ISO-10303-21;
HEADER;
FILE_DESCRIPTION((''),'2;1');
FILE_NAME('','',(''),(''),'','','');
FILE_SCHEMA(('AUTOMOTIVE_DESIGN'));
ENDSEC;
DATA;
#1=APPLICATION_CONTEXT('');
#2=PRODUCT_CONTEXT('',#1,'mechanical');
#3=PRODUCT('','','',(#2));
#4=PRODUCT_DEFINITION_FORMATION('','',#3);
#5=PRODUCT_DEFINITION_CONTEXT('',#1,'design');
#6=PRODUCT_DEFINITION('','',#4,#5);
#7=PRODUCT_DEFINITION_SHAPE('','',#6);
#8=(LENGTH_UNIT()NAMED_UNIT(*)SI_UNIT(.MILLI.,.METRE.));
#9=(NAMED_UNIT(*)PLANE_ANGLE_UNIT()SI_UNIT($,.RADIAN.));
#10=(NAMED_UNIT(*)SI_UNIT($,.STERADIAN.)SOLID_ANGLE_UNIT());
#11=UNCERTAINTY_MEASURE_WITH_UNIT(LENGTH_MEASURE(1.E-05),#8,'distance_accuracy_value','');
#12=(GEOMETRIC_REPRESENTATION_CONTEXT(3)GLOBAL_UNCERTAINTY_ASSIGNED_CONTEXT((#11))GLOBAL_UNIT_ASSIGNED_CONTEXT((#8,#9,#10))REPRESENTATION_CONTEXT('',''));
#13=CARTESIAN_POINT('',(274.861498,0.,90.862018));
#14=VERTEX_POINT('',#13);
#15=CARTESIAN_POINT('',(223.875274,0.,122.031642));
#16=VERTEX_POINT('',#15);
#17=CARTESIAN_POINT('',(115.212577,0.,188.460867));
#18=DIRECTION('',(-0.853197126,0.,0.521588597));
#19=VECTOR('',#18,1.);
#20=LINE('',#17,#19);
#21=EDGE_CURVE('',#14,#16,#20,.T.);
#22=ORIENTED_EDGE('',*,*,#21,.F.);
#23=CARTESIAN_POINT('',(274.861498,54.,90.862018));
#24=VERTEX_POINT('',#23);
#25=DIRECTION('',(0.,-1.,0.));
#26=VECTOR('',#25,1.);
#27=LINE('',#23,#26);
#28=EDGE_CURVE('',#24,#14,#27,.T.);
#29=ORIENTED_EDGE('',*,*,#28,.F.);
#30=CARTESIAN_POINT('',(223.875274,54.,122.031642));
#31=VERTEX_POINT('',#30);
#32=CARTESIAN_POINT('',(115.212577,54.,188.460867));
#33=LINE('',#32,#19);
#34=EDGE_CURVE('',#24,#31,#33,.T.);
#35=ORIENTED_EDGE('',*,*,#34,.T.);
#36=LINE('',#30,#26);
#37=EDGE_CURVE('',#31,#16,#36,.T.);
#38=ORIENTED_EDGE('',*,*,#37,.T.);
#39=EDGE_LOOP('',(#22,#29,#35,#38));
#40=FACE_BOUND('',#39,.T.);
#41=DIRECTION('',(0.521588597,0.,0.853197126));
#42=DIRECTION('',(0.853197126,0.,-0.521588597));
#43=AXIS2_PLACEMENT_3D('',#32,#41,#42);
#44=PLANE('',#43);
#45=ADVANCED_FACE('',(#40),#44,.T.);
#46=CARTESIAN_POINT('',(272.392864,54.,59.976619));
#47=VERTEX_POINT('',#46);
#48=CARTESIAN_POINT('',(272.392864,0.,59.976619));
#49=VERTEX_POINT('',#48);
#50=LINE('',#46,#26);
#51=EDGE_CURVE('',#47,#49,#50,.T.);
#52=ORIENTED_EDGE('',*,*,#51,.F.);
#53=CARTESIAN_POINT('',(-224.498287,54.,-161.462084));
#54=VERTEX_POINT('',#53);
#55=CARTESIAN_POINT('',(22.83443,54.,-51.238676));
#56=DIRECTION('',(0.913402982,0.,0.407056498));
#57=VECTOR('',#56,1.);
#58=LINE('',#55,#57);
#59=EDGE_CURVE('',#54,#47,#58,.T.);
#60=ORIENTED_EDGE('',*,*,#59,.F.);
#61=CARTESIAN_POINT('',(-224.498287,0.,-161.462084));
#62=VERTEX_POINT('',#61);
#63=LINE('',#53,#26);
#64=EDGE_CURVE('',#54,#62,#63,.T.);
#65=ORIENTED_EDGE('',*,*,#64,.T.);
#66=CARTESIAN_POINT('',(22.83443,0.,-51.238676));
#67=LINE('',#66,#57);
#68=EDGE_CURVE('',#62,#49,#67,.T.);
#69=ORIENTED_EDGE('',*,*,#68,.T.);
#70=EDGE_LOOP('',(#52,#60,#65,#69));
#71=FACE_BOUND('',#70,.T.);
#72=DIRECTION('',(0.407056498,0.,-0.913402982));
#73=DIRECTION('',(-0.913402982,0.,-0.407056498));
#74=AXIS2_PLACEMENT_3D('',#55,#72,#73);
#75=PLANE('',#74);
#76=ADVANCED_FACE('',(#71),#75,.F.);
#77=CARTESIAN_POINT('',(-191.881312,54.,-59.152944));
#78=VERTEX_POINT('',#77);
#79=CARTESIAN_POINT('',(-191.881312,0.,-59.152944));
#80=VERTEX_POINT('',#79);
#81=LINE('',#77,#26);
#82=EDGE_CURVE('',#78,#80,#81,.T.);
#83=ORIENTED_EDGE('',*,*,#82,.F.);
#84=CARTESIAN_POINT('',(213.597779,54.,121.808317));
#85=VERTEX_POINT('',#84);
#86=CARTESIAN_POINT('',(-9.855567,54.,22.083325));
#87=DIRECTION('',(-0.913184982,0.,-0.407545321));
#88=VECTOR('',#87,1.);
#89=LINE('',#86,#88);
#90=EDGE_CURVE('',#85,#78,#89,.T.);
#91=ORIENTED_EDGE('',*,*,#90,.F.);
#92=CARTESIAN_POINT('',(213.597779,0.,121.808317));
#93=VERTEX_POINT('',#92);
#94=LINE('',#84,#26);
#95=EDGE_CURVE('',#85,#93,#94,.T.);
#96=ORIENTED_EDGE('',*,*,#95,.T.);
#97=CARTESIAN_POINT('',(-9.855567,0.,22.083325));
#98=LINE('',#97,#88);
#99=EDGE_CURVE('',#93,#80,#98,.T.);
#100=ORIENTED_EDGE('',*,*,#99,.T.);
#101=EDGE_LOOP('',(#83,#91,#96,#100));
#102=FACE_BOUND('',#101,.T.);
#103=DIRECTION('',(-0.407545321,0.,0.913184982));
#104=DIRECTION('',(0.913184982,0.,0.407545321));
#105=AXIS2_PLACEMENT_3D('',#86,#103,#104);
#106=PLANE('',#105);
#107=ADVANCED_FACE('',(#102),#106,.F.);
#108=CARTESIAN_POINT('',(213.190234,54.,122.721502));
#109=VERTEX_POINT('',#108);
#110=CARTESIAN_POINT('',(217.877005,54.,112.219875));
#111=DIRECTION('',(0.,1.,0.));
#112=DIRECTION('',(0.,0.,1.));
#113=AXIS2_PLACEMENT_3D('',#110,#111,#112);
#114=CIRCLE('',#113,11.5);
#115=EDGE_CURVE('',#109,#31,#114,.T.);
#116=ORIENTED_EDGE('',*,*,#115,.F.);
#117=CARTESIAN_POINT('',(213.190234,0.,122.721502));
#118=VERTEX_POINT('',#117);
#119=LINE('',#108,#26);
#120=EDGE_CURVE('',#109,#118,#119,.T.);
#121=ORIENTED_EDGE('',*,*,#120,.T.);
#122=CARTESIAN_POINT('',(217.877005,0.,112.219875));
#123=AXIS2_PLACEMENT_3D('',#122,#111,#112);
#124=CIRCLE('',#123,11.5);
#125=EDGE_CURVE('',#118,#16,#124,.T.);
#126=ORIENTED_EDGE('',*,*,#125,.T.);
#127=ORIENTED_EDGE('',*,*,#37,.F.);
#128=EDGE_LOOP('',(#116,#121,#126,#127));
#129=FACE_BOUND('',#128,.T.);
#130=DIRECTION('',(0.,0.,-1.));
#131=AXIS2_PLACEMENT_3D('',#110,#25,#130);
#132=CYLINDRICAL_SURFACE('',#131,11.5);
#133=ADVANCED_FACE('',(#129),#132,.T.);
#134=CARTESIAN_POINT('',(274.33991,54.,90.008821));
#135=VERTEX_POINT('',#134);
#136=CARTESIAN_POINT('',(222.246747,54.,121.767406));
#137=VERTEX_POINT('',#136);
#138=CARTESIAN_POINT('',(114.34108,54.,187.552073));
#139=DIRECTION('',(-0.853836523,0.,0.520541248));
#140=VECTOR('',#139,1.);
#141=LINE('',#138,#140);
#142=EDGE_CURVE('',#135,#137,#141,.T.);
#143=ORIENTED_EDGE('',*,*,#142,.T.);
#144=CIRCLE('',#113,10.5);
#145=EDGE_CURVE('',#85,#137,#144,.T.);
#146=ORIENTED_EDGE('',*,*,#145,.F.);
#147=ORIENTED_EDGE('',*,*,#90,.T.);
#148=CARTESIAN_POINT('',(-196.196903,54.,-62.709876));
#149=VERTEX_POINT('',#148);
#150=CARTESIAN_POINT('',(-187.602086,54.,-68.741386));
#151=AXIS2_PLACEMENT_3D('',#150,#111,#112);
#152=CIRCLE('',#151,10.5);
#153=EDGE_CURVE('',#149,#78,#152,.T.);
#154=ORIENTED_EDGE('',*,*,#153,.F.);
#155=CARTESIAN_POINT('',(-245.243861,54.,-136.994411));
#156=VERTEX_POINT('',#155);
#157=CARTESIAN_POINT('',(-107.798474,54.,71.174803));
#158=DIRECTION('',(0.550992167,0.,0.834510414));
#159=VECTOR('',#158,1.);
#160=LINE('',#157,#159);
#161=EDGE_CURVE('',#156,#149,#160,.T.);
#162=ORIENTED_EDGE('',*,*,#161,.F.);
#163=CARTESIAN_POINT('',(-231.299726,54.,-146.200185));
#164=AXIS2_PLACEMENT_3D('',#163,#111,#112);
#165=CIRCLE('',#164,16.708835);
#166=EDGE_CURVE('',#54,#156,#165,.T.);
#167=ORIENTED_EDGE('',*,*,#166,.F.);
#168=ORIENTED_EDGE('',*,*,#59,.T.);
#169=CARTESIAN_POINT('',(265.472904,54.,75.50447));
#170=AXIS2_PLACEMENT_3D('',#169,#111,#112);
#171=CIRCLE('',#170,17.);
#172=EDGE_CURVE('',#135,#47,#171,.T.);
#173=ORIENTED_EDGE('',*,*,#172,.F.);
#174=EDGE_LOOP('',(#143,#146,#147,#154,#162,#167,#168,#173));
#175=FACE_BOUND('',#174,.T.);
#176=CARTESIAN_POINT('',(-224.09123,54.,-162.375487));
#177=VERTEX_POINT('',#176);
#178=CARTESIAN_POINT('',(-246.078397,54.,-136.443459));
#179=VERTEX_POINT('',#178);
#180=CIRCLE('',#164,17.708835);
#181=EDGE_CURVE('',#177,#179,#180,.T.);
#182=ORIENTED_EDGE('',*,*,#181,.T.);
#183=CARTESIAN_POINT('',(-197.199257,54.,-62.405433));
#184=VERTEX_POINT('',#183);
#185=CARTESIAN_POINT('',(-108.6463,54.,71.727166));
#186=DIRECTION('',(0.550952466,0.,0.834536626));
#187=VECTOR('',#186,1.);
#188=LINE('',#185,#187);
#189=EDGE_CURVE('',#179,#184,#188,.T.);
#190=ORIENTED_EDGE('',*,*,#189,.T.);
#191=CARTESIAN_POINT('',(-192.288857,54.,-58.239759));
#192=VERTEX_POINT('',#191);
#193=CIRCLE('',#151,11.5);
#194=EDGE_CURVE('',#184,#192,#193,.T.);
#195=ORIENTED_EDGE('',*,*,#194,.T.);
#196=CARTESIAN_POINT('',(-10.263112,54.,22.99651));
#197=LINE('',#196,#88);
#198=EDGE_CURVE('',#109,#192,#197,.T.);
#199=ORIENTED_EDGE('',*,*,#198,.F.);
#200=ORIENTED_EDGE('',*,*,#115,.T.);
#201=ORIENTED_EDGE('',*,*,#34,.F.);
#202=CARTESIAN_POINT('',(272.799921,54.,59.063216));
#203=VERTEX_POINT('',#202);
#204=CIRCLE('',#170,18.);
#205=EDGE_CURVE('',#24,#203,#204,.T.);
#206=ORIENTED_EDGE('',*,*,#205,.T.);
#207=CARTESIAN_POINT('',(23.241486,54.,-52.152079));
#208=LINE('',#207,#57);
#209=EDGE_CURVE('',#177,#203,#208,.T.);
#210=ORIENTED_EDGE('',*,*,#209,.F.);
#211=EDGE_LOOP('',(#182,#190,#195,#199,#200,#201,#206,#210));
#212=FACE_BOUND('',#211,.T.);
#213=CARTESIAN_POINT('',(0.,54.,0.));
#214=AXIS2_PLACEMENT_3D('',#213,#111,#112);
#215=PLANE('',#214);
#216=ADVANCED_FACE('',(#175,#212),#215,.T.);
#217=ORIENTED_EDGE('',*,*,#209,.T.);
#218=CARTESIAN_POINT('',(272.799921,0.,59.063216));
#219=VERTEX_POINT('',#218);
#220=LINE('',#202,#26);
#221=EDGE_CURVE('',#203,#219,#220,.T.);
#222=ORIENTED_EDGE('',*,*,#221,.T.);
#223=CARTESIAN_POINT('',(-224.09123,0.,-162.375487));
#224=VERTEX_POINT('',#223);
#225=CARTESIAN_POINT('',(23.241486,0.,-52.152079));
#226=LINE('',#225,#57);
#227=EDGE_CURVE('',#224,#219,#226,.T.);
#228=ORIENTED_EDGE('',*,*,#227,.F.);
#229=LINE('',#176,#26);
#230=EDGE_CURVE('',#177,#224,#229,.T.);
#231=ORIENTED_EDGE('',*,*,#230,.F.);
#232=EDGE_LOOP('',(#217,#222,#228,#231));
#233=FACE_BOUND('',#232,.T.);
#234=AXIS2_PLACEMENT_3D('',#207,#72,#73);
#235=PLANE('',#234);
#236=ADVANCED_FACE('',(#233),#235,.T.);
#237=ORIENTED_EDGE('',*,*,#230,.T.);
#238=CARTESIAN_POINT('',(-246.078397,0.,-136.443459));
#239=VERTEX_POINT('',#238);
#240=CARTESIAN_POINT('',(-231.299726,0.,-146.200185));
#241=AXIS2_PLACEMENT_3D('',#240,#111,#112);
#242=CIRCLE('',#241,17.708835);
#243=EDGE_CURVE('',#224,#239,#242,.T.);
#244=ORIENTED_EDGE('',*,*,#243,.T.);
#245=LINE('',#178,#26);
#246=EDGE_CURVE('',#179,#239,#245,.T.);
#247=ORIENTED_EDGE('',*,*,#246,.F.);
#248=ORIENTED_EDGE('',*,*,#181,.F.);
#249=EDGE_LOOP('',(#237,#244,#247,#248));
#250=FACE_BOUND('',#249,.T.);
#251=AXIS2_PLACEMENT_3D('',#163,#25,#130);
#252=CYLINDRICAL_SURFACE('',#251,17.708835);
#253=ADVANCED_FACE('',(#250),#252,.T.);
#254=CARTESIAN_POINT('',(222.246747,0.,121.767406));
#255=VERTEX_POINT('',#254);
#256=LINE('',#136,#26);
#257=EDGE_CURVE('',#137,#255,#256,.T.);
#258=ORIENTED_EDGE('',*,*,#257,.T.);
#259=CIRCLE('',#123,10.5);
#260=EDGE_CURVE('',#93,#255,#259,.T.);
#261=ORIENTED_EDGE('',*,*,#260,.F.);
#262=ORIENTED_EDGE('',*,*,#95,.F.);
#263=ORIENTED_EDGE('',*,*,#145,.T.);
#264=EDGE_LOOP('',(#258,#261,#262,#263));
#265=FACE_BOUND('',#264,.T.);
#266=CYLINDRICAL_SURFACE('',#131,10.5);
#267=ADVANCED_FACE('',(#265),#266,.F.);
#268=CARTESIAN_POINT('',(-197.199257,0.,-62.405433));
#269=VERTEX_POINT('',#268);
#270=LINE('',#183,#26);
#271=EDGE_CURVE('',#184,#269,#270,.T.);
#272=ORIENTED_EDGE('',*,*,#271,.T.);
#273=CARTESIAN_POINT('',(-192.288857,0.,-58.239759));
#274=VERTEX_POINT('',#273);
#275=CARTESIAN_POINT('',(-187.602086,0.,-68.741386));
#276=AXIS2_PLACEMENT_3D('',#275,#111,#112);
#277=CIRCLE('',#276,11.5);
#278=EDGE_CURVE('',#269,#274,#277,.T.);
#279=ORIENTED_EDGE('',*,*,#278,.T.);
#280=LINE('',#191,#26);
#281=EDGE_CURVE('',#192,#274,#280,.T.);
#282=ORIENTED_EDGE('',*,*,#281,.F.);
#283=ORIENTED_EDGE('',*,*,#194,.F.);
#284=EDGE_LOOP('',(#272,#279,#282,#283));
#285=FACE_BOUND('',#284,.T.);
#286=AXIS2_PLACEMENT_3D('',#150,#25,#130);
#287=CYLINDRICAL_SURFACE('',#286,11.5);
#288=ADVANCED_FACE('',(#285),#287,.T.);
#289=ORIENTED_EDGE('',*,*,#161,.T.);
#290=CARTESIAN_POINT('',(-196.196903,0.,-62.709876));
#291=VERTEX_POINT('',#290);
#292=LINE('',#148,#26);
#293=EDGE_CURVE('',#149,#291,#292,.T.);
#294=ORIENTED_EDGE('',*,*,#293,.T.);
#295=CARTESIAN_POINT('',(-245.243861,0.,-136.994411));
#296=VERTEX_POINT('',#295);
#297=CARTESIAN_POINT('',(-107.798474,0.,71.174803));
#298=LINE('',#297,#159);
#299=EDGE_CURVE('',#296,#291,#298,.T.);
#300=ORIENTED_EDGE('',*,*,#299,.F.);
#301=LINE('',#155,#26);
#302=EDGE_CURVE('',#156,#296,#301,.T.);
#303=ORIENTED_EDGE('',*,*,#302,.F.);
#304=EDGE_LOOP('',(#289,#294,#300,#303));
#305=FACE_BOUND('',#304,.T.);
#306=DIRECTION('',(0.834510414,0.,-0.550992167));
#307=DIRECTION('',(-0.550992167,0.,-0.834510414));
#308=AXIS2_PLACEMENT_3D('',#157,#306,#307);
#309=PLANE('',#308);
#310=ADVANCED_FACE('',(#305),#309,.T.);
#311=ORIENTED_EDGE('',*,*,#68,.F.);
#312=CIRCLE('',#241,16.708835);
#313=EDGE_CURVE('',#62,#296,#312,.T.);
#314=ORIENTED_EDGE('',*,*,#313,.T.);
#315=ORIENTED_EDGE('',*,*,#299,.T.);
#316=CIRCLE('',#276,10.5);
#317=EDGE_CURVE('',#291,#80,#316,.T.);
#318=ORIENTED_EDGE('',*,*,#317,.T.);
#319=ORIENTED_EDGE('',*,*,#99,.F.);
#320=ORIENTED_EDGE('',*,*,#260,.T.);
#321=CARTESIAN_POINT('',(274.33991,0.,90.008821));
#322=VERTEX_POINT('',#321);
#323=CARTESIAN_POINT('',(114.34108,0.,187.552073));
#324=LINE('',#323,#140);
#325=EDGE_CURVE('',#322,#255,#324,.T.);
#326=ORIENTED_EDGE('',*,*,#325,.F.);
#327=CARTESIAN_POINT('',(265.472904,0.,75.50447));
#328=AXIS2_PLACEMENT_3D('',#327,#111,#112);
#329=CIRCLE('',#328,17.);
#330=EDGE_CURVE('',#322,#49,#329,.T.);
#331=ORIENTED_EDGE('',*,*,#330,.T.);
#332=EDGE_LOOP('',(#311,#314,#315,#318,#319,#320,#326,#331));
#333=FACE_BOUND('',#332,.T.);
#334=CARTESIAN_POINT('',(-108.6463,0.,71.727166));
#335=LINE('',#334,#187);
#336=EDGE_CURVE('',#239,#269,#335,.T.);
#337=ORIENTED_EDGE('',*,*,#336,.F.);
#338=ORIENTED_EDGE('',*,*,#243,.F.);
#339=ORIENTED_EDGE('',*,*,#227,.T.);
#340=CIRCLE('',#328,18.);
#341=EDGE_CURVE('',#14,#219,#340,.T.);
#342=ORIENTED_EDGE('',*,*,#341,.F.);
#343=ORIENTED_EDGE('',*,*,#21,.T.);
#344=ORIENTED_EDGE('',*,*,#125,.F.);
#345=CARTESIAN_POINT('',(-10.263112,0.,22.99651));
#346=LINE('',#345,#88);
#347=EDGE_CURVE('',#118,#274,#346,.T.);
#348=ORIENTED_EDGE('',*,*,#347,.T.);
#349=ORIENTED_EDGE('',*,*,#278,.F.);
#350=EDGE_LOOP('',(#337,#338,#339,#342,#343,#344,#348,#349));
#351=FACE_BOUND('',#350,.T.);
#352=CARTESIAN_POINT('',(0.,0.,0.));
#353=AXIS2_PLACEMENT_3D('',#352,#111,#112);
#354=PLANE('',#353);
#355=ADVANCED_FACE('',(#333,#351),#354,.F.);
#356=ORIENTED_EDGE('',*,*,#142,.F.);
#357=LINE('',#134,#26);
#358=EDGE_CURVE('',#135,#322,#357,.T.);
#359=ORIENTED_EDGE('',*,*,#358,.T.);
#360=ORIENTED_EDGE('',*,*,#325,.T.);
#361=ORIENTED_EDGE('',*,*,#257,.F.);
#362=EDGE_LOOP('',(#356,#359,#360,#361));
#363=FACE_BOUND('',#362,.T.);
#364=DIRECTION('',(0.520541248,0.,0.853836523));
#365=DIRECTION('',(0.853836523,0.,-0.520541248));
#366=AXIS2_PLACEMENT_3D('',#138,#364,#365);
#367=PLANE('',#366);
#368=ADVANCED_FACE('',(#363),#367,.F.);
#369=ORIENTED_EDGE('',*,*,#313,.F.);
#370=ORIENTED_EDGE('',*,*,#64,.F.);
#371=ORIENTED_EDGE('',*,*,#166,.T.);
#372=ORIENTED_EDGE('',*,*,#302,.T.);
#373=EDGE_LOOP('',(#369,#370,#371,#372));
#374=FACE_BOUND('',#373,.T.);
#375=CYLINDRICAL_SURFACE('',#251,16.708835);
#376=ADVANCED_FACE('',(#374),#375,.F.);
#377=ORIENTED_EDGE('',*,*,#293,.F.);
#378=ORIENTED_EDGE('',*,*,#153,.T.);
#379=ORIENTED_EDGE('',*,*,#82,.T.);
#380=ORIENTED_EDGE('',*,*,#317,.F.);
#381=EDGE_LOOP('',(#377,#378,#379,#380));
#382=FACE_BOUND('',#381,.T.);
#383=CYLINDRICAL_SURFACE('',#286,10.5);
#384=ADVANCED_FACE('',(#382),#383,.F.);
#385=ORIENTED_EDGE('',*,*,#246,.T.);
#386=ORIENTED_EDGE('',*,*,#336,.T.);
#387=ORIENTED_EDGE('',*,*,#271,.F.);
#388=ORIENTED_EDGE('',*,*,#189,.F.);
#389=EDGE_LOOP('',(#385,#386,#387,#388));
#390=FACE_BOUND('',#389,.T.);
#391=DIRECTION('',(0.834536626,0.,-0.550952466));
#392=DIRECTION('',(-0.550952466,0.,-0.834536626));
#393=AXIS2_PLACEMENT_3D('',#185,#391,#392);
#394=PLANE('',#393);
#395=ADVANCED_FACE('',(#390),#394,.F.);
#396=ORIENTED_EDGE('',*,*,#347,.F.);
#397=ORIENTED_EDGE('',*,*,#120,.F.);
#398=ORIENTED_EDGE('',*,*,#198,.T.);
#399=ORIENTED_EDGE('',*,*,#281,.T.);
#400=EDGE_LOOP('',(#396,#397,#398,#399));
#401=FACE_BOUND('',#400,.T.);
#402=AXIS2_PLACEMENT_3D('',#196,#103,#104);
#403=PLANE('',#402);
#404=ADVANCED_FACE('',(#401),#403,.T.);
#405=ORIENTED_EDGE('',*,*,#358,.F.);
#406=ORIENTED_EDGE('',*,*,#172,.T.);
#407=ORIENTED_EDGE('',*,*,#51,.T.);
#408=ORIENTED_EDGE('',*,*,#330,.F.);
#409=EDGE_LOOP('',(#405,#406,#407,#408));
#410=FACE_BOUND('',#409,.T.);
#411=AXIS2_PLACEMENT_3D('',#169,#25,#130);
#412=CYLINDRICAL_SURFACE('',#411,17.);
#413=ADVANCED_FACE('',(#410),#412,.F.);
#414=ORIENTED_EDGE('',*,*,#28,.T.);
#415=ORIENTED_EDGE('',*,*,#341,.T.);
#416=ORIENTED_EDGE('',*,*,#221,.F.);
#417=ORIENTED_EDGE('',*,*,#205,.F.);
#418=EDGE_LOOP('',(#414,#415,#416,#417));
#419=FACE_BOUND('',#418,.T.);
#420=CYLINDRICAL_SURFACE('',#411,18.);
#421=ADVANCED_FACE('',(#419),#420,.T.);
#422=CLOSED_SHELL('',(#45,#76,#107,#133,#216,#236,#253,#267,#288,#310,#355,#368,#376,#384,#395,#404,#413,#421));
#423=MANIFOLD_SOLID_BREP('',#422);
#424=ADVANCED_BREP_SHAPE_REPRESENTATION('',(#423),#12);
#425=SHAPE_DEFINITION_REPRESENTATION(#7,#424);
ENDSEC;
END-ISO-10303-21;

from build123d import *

# Parameters (mm, degrees)
EXTRUDE_1_DEPTH = 54


with BuildPart() as part:
    # 草图1 → 凸台-拉伸1 (new body)
    with BuildSketch(Plane(origin=(0, 0, 0), x_dir=(1, 0, 0), z_dir=(0, 1, 0))):
        with BuildLine():
            ThreePointArc((-224.091230242, 162.375487068), (-244.806924848, 157.652626052), (-246.078397413, 136.443458772))
            Line((-246.078397413, 136.443458772), (-197.199257089, 62.405433085))
            ThreePointArc((-197.199257089, 62.405433085), (-195.041572593, 59.971891729), (-192.288857087, 58.239759155))
            Line((-192.288857087, 58.239759155), (213.190233659, -122.721502411))
            ThreePointArc((213.190233659, -122.721502411), (218.617938967, -123.695981456), (223.875273721, -122.031642066))
            Line((223.875273721, -122.031642066), (274.861498447, -90.862018276))
            ThreePointArc((274.861498447, -90.862018276), (283.435193918, -74.339940028), (272.79992067, -59.063216341))
            Line((272.79992067, -59.063216341), (-224.091230242, 162.375487068))
        make_face()
        with BuildLine():
            ThreePointArc((-245.243860787, 136.994411239), (-244.044186993, 157.005918262), (-224.498286741, 161.462084086))
            Line((-224.498286741, 161.462084086), (272.392864172, -59.976619323))
            ThreePointArc((272.392864172, -59.976619323), (282.437288906, -74.404636139), (274.33990985, -90.008821151))
            Line((274.33990985, -90.008821151), (222.246746967, -121.767406417))
            ThreePointArc((222.246746967, -121.767406417), (217.926670991, -122.719757656), (213.59777898, -121.808317429))
            Line((213.59777898, -121.808317429), (-191.881311765, 59.152944137))
            ThreePointArc((-191.881311765, 59.152944137), (-194.280273175, 60.63880571), (-196.19690286, 62.709875751))
            Line((-196.19690286, 62.709875751), (-245.243860787, 136.994411239))
        make_face(mode=Mode.SUBTRACT)
    extrude(amount=EXTRUDE_1_DEPTH)


solid = part.part
